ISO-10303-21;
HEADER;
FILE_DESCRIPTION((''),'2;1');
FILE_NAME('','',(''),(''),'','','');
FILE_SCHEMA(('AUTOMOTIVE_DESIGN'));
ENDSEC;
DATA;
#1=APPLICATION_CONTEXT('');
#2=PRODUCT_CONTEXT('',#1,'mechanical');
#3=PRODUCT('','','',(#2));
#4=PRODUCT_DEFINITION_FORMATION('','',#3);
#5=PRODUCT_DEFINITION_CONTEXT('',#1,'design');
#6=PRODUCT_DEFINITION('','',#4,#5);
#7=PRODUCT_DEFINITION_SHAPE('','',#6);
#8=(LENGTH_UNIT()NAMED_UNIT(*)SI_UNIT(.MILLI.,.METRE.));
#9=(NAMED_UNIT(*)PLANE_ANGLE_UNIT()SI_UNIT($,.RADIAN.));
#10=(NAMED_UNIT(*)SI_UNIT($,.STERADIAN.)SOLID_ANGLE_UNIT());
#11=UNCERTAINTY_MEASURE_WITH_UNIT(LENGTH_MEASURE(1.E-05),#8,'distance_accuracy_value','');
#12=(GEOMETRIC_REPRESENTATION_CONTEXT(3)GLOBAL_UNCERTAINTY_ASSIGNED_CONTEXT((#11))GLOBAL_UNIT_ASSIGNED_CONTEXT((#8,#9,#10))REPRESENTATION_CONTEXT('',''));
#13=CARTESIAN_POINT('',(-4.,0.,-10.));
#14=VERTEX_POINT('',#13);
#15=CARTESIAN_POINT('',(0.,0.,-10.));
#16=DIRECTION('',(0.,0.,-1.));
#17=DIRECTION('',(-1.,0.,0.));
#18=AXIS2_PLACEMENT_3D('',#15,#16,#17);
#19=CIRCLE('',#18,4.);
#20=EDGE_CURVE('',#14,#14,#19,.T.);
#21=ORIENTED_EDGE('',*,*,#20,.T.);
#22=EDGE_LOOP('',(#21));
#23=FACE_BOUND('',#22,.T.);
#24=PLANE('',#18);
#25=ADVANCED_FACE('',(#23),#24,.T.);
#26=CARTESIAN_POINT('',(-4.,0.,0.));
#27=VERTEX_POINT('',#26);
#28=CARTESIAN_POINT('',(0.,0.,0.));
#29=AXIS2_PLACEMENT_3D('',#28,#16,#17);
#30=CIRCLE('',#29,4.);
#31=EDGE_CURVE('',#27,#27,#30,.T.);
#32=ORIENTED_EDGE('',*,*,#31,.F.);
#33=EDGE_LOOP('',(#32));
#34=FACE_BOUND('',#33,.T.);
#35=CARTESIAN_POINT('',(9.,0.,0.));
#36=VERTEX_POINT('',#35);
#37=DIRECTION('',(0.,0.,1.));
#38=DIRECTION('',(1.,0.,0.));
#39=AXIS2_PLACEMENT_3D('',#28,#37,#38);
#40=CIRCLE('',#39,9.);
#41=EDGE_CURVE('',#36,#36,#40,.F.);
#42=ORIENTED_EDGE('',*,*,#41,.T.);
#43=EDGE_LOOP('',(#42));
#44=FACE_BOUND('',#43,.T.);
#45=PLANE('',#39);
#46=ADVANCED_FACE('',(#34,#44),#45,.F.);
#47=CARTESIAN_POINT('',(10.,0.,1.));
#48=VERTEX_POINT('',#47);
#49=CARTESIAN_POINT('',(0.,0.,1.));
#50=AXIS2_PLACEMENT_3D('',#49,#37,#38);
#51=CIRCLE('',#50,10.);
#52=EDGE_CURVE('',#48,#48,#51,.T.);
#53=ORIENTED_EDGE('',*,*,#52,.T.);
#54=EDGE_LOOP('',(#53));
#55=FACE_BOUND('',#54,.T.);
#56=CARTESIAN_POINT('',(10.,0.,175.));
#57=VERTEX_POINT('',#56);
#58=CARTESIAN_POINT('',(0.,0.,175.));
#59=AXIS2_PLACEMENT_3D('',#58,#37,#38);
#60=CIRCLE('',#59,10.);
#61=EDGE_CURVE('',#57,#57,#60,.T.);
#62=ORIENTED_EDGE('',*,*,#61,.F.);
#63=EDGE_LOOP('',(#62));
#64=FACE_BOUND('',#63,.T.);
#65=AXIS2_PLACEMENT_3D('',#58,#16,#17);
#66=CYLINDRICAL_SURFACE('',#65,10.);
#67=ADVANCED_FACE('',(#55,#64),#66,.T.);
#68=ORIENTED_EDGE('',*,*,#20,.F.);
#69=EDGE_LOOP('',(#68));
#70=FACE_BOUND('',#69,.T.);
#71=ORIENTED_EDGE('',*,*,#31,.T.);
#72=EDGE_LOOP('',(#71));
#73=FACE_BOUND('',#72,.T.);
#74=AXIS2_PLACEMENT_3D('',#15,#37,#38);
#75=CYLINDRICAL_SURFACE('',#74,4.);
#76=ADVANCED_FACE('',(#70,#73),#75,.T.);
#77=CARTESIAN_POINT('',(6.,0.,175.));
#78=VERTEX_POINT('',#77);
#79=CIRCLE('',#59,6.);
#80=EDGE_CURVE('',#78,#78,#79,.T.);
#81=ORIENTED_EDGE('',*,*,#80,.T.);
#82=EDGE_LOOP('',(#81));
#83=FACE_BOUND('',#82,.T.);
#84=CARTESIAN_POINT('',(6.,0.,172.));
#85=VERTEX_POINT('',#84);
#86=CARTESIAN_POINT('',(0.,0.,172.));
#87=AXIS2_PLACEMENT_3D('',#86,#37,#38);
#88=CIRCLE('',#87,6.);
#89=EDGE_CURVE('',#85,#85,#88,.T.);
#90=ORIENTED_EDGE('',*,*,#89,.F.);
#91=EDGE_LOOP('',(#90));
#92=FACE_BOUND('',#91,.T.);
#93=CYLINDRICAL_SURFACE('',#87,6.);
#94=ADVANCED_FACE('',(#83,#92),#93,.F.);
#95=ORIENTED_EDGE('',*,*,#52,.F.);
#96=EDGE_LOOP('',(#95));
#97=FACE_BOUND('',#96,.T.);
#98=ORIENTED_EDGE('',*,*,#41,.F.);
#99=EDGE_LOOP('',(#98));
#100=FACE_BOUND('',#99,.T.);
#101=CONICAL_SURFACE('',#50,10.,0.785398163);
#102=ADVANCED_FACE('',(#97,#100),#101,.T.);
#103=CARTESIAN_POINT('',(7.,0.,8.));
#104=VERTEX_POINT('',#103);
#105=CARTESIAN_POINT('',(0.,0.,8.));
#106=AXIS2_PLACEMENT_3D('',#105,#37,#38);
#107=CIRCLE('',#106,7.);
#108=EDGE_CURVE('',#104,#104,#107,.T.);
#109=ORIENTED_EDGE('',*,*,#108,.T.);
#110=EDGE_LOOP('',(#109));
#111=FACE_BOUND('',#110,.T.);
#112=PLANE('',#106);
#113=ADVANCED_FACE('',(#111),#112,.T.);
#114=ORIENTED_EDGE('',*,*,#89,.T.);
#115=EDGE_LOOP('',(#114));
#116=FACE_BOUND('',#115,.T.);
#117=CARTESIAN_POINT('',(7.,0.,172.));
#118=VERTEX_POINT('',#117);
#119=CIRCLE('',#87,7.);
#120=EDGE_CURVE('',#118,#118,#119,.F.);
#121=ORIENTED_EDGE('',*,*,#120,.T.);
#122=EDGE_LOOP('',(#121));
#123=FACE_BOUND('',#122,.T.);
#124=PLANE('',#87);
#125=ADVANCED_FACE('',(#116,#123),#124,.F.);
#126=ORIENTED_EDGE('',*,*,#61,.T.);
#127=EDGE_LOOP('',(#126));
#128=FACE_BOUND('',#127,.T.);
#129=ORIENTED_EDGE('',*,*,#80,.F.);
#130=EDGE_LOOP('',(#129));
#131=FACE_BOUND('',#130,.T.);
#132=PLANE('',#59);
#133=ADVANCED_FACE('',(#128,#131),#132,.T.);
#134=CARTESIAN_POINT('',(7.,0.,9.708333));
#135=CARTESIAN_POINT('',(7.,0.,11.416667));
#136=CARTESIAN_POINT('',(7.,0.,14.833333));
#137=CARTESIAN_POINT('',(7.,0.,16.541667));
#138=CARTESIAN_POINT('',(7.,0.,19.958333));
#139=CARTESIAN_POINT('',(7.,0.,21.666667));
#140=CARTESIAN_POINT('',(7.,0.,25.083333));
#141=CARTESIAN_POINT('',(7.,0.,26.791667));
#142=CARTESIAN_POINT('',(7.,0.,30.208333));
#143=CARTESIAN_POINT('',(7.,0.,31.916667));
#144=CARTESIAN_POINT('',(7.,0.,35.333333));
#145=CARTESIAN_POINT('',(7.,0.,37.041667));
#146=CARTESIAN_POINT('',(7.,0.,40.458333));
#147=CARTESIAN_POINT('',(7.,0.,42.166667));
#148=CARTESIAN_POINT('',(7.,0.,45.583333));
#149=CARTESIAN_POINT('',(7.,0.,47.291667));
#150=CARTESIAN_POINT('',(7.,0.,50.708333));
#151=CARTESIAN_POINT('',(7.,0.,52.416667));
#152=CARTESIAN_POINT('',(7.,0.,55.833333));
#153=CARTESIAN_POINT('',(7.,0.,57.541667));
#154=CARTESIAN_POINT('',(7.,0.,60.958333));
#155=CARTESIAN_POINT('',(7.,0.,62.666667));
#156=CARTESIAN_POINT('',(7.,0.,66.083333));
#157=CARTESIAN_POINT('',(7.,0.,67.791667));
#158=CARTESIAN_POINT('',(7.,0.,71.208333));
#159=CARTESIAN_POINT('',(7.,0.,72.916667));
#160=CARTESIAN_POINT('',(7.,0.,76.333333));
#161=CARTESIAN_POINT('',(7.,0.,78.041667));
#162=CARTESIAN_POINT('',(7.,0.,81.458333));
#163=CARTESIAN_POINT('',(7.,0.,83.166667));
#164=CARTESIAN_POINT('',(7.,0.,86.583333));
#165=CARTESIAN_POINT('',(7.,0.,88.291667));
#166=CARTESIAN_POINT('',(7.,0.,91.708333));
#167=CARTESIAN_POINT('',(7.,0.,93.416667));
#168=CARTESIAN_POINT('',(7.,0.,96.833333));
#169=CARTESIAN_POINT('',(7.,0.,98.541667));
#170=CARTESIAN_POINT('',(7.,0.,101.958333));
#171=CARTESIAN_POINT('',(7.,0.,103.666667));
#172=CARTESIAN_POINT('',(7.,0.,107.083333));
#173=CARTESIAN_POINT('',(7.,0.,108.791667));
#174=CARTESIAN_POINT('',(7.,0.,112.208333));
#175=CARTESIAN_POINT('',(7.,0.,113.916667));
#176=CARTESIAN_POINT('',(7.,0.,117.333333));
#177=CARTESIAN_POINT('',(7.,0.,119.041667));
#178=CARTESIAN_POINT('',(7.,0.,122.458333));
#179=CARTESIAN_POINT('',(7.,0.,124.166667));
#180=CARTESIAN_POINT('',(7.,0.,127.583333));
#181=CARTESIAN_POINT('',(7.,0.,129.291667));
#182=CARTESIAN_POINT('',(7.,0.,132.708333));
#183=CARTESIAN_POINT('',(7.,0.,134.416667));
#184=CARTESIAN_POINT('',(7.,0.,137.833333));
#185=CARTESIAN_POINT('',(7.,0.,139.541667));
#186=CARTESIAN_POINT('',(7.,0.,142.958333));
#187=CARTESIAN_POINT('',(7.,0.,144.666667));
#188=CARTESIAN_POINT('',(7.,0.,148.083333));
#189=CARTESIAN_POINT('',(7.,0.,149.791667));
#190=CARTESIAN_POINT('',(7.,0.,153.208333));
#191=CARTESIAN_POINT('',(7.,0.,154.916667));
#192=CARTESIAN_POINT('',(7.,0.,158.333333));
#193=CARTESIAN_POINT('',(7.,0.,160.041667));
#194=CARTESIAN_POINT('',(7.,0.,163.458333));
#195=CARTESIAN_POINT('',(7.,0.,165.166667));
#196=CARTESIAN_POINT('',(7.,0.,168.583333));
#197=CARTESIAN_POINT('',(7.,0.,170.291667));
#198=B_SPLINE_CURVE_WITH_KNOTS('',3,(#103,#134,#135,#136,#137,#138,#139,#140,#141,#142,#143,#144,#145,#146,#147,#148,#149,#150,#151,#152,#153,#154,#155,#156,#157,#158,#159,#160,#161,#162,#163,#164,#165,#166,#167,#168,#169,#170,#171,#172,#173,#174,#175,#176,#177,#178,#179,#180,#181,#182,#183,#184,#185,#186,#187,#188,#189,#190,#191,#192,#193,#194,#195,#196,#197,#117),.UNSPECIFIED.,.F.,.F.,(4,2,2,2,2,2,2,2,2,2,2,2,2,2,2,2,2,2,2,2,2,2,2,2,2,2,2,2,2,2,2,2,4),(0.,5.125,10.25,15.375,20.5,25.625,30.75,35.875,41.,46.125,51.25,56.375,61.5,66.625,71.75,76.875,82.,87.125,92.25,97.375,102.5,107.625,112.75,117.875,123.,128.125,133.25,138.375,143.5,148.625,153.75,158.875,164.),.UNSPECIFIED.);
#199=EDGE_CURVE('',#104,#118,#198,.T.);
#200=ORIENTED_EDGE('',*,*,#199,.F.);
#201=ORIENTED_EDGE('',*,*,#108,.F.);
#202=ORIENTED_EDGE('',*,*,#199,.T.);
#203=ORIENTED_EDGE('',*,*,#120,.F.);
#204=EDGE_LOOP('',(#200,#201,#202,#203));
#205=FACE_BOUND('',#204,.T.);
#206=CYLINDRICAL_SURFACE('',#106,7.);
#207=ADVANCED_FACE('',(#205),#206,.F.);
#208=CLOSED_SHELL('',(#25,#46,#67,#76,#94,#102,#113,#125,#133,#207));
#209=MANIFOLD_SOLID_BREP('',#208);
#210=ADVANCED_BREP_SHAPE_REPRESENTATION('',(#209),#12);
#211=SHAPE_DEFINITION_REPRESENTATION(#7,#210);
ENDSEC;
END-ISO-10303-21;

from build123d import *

# Parameters (mm, degrees)
SKETCH_1_R          = 10
EXTRUDE_1_DEPTH     = 175
SKETCH_2_R          = 7
CUT_EXTRUDE_1_DEPTH = 167
SKETCH_3_R          = 4
EXTRUDE_2_DEPTH     = 10
CHAMFER_1_SIZE      = 1
SKETCH_4_R          = 7
SKETCH_4_R_2        = 6
EXTRUDE_3_DEPTH     = 3


with BuildPart() as part:
    # 草图1 → 凸台-拉伸1 (new body)
    with BuildSketch(Plane.XY):
        Circle(SKETCH_1_R)
    extrude(amount=EXTRUDE_1_DEPTH)

    # 草图2 → 切除-拉伸1 (cut)
    with BuildSketch(Plane.XY.offset(175)):
        Circle(SKETCH_2_R)
    extrude(amount=-CUT_EXTRUDE_1_DEPTH, mode=Mode.SUBTRACT)

    # 草图3 → 凸台-拉伸2 (add)
    with BuildSketch(Plane(origin=(0, 0, 0), x_dir=(-1, 0, 0), z_dir=(0, 0, -1))):
        Circle(SKETCH_3_R)
    extrude(amount=EXTRUDE_2_DEPTH)

    # 倒角1
    chamfer_1_edges = [part.edges().sort_by_distance(p)[0] for p in [
        (-10, 0, 0),
    ]]
    chamfer(chamfer_1_edges, length=CHAMFER_1_SIZE)

    # 草图4 → 凸台-拉伸3 (add)
    with BuildSketch(Plane.XY.offset(175)):
        Circle(SKETCH_4_R)
        Circle(SKETCH_4_R_2, mode=Mode.SUBTRACT)
    extrude(amount=-EXTRUDE_3_DEPTH)


solid = part.part
